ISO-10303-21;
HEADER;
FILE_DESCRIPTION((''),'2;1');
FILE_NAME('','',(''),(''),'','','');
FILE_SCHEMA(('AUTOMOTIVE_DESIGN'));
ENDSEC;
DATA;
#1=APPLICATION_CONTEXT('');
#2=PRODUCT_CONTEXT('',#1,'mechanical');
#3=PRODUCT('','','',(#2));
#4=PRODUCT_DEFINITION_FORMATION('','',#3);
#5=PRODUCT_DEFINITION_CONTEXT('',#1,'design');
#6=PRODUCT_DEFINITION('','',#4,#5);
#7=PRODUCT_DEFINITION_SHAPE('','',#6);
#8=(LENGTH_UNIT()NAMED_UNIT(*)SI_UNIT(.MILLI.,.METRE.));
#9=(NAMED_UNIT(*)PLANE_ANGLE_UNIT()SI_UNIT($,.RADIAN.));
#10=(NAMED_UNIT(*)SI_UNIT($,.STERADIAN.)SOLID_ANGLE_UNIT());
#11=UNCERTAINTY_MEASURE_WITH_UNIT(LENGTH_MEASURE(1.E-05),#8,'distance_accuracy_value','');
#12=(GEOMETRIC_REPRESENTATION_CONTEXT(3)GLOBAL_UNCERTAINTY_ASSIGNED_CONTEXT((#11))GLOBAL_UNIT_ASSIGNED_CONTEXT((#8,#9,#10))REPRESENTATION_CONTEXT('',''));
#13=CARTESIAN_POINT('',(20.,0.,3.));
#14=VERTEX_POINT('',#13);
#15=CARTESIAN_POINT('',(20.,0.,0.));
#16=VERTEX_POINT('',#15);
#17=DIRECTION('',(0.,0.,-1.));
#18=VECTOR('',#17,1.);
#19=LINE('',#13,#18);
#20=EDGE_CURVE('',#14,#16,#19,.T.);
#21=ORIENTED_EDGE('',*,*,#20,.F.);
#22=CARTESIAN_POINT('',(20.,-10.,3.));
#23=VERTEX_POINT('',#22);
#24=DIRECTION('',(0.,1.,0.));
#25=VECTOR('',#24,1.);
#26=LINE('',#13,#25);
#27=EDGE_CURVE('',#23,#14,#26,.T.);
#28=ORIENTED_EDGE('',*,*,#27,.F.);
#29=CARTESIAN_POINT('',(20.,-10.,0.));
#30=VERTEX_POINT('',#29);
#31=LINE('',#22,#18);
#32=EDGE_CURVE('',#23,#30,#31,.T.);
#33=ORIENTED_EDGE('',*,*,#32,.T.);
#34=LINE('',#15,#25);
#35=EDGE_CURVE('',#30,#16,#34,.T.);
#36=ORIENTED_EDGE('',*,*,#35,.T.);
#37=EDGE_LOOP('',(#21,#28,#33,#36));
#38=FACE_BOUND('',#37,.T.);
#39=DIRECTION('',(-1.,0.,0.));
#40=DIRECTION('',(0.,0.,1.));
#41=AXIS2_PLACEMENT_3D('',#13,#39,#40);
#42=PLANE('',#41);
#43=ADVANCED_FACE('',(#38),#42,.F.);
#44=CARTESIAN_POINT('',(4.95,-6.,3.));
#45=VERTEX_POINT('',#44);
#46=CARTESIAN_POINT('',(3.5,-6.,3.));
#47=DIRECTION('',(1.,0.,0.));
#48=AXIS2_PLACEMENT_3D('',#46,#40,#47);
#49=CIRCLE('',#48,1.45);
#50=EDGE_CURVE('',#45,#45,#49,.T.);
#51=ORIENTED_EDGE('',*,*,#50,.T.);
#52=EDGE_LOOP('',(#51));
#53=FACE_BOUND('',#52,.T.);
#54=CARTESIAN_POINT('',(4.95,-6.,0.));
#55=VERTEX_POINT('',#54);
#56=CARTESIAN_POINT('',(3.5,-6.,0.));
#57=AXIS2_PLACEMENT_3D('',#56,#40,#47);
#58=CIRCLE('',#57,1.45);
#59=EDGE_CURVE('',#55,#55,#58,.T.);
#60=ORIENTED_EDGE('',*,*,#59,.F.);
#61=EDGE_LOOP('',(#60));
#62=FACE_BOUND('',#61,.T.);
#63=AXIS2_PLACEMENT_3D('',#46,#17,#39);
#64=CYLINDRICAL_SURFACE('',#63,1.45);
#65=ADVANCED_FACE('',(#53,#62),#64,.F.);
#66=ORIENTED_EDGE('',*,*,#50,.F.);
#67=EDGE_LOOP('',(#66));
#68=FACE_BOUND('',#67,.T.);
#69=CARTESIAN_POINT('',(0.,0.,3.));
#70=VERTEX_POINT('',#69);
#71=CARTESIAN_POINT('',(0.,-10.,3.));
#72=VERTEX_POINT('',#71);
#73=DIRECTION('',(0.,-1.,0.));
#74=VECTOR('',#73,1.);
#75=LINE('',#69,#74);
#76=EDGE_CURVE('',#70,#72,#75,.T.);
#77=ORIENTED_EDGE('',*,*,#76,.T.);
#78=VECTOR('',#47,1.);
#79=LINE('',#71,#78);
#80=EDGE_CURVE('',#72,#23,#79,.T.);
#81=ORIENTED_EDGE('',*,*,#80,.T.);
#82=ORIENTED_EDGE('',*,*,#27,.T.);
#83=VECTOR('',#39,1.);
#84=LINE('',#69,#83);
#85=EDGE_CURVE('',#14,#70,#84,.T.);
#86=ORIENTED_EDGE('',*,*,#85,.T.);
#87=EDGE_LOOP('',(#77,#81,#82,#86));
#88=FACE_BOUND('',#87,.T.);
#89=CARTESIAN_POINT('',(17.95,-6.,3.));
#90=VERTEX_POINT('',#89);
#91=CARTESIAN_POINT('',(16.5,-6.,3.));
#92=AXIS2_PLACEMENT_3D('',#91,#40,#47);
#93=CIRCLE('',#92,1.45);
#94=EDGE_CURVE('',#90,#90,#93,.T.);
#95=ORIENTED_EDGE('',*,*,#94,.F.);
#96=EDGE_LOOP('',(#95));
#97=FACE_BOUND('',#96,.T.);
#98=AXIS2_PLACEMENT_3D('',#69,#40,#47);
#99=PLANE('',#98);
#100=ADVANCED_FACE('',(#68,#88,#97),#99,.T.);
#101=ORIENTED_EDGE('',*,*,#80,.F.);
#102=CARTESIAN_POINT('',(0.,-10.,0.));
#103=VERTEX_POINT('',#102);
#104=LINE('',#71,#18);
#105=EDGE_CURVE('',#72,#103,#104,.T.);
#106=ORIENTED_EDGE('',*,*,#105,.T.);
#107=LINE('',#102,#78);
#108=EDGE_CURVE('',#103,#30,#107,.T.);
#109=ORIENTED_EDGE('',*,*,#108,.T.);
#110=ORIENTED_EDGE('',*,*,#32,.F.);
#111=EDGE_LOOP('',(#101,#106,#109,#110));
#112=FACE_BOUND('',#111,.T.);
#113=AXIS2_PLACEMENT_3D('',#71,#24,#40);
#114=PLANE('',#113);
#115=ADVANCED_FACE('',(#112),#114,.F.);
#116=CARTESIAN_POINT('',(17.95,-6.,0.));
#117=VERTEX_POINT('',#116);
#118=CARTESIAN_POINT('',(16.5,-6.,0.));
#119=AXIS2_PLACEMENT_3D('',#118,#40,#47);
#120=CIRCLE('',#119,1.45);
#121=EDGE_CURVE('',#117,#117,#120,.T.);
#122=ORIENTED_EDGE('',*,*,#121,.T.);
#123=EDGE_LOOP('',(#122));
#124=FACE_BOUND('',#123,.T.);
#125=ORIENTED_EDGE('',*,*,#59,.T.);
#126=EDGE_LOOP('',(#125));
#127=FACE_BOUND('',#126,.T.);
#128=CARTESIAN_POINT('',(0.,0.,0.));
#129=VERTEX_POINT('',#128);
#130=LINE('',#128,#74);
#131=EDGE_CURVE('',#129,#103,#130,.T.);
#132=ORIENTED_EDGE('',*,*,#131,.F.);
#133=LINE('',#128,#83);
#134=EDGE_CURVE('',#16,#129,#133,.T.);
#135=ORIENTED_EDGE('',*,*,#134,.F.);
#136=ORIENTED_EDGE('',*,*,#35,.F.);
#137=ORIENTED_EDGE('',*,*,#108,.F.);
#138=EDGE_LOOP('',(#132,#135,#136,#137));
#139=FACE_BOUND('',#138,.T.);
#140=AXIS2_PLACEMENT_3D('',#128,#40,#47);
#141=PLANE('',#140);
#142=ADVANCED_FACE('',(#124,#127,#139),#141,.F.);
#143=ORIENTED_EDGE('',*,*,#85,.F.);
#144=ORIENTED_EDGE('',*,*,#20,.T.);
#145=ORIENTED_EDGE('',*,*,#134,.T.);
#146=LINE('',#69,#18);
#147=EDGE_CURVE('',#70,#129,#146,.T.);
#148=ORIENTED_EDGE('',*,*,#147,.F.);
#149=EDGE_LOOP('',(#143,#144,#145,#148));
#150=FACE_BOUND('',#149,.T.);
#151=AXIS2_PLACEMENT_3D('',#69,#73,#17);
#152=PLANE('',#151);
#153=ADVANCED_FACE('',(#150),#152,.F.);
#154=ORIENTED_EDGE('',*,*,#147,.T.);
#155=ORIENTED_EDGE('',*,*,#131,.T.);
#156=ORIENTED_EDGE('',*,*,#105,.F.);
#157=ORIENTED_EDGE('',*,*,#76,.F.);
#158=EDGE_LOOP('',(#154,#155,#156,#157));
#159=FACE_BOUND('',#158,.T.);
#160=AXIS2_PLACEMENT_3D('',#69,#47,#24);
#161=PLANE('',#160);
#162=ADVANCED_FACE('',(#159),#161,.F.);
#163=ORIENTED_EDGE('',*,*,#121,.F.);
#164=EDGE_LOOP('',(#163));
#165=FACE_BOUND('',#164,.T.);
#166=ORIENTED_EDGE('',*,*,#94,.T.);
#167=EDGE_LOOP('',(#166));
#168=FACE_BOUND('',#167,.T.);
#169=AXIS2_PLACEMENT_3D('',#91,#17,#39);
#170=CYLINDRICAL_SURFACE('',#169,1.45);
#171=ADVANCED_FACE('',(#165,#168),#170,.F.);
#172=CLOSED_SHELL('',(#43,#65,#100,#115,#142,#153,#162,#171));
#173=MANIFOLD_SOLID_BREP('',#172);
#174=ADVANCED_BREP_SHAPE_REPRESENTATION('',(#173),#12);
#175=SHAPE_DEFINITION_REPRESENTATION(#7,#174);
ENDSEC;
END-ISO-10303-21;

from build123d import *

# Parameters (mm, degrees)
SKETCH_1_W      = 20
SKETCH_1_H      = 10
SKETCH_1_R      = 1.45
EXTRUDE_1_DEPTH = 3


with BuildPart() as part:
    # 草图1 → 凸台-拉伸1 (new body)
    with BuildSketch(Plane.XY):
        with Locations((10, -5)):
            Rectangle(SKETCH_1_W, SKETCH_1_H)
        with Locations((3.5, -6)):
            Circle(SKETCH_1_R, mode=Mode.SUBTRACT)
        with Locations((16.5, -6)):
            Circle(SKETCH_1_R, mode=Mode.SUBTRACT)
    extrude(amount=EXTRUDE_1_DEPTH)


solid = part.part
